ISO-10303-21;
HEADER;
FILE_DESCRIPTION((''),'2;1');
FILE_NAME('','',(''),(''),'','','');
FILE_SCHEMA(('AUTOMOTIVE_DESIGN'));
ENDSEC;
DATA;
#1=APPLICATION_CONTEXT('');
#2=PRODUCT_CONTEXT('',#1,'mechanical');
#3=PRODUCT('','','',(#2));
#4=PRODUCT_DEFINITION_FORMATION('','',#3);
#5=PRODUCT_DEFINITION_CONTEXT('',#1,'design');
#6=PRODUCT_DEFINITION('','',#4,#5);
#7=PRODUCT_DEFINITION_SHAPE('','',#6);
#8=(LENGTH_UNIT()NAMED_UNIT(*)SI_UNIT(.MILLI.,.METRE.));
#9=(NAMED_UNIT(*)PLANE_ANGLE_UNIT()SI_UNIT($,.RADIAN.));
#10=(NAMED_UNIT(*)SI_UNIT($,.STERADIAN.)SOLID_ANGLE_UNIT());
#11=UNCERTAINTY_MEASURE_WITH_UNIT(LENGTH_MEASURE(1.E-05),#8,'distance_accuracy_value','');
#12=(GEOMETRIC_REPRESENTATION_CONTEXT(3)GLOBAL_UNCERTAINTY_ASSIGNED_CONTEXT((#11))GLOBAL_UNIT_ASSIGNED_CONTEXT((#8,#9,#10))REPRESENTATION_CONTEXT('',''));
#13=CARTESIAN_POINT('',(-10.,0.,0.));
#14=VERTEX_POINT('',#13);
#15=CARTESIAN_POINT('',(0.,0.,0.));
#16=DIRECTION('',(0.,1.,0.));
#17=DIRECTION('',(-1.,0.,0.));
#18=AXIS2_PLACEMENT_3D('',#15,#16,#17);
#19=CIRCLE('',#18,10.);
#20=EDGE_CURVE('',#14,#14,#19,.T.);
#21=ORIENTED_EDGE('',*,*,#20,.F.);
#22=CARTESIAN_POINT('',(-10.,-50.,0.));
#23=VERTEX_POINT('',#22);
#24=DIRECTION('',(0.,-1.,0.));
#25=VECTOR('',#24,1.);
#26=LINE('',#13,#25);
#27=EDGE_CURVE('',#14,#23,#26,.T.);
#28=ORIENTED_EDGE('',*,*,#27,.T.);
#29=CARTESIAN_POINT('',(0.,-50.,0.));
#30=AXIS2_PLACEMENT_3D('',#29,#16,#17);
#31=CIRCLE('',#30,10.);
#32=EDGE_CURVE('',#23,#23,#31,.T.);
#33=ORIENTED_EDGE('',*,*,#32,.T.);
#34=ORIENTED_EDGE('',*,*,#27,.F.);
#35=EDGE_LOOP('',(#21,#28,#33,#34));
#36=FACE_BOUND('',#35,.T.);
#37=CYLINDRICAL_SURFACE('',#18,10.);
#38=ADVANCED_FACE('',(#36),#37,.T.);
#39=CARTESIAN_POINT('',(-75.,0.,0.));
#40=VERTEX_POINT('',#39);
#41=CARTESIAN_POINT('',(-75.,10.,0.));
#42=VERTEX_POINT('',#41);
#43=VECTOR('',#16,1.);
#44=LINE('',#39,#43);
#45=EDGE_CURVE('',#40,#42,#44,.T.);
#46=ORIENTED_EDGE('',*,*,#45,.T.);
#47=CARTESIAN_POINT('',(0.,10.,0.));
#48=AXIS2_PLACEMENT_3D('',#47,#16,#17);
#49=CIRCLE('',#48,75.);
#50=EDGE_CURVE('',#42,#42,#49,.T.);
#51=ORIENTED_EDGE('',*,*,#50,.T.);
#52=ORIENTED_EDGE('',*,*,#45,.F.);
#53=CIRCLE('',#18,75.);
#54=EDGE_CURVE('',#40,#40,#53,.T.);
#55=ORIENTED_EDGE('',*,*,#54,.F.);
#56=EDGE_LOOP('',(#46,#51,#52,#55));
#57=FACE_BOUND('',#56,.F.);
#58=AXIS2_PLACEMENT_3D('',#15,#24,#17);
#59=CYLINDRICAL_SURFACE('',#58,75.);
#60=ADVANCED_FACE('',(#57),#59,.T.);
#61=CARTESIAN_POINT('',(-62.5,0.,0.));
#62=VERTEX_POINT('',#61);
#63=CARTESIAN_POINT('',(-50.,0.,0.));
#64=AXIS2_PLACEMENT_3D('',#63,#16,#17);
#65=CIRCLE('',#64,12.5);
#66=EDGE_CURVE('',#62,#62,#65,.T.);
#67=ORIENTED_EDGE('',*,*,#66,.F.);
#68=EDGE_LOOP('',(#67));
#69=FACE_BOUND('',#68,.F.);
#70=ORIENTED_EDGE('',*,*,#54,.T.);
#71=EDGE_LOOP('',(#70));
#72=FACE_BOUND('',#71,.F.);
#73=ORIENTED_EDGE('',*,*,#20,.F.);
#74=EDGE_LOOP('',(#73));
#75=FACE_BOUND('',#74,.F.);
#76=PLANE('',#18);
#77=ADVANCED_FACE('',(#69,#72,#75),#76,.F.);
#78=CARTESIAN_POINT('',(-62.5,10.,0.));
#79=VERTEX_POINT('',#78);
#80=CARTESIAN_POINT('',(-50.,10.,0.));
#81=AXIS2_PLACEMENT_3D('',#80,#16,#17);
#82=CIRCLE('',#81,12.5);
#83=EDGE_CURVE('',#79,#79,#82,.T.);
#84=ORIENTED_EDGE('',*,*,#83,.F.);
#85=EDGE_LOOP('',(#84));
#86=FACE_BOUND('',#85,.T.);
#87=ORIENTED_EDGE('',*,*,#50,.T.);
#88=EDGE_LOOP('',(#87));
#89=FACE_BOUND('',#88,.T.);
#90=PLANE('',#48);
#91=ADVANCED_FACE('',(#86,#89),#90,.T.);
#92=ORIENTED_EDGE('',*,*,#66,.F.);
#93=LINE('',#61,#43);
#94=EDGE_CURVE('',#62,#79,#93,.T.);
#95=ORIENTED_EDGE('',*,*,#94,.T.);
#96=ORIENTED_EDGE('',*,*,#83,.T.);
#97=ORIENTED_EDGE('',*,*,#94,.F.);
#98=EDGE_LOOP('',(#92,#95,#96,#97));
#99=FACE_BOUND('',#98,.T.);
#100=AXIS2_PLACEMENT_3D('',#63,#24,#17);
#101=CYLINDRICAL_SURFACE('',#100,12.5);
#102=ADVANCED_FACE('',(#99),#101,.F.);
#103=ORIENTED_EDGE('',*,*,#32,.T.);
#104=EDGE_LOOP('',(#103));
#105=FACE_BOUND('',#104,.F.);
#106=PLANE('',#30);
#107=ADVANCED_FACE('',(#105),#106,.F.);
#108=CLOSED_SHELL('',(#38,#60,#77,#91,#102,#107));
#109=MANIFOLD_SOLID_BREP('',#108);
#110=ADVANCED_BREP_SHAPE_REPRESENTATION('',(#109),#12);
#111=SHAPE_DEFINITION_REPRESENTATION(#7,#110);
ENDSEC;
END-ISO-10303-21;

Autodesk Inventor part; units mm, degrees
ref_plane "YZ Plane" through (0, 0, 0) normal (1, 0, 0) x (0, 1, 0)
ref_plane "XZ Plane" through (0, 0, 0) normal (0, 1, 0) x (-1, 0, 0)
ref_plane "XY Plane" through (0, 0, 0) normal (0, 0, 1) x (1, 0, 0)
sketch "Sketch1" plane through (0, 0, 0) normal (0, 1, 0) x (-1, 0, 0)
  circle A0 centre (0, 0) radius 75
  circle A1 centre (50, 0) radius 12.5
  line L0 (0, 0) -> (50, 0) construction
  circle A2 centre (0, 0) radius 10
  dimension "d4" = 150
  dimension "d5" = 25
  dimension "d6" = 50
  dimension "d7" = 20
extrude "Extrusion1" add sketch "Sketch1" along normal blind 10 contours A0 | A2
extrude "Extrusion2" add sketch "Sketch1" against normal blind 50 contours A2
properties part number "top"
